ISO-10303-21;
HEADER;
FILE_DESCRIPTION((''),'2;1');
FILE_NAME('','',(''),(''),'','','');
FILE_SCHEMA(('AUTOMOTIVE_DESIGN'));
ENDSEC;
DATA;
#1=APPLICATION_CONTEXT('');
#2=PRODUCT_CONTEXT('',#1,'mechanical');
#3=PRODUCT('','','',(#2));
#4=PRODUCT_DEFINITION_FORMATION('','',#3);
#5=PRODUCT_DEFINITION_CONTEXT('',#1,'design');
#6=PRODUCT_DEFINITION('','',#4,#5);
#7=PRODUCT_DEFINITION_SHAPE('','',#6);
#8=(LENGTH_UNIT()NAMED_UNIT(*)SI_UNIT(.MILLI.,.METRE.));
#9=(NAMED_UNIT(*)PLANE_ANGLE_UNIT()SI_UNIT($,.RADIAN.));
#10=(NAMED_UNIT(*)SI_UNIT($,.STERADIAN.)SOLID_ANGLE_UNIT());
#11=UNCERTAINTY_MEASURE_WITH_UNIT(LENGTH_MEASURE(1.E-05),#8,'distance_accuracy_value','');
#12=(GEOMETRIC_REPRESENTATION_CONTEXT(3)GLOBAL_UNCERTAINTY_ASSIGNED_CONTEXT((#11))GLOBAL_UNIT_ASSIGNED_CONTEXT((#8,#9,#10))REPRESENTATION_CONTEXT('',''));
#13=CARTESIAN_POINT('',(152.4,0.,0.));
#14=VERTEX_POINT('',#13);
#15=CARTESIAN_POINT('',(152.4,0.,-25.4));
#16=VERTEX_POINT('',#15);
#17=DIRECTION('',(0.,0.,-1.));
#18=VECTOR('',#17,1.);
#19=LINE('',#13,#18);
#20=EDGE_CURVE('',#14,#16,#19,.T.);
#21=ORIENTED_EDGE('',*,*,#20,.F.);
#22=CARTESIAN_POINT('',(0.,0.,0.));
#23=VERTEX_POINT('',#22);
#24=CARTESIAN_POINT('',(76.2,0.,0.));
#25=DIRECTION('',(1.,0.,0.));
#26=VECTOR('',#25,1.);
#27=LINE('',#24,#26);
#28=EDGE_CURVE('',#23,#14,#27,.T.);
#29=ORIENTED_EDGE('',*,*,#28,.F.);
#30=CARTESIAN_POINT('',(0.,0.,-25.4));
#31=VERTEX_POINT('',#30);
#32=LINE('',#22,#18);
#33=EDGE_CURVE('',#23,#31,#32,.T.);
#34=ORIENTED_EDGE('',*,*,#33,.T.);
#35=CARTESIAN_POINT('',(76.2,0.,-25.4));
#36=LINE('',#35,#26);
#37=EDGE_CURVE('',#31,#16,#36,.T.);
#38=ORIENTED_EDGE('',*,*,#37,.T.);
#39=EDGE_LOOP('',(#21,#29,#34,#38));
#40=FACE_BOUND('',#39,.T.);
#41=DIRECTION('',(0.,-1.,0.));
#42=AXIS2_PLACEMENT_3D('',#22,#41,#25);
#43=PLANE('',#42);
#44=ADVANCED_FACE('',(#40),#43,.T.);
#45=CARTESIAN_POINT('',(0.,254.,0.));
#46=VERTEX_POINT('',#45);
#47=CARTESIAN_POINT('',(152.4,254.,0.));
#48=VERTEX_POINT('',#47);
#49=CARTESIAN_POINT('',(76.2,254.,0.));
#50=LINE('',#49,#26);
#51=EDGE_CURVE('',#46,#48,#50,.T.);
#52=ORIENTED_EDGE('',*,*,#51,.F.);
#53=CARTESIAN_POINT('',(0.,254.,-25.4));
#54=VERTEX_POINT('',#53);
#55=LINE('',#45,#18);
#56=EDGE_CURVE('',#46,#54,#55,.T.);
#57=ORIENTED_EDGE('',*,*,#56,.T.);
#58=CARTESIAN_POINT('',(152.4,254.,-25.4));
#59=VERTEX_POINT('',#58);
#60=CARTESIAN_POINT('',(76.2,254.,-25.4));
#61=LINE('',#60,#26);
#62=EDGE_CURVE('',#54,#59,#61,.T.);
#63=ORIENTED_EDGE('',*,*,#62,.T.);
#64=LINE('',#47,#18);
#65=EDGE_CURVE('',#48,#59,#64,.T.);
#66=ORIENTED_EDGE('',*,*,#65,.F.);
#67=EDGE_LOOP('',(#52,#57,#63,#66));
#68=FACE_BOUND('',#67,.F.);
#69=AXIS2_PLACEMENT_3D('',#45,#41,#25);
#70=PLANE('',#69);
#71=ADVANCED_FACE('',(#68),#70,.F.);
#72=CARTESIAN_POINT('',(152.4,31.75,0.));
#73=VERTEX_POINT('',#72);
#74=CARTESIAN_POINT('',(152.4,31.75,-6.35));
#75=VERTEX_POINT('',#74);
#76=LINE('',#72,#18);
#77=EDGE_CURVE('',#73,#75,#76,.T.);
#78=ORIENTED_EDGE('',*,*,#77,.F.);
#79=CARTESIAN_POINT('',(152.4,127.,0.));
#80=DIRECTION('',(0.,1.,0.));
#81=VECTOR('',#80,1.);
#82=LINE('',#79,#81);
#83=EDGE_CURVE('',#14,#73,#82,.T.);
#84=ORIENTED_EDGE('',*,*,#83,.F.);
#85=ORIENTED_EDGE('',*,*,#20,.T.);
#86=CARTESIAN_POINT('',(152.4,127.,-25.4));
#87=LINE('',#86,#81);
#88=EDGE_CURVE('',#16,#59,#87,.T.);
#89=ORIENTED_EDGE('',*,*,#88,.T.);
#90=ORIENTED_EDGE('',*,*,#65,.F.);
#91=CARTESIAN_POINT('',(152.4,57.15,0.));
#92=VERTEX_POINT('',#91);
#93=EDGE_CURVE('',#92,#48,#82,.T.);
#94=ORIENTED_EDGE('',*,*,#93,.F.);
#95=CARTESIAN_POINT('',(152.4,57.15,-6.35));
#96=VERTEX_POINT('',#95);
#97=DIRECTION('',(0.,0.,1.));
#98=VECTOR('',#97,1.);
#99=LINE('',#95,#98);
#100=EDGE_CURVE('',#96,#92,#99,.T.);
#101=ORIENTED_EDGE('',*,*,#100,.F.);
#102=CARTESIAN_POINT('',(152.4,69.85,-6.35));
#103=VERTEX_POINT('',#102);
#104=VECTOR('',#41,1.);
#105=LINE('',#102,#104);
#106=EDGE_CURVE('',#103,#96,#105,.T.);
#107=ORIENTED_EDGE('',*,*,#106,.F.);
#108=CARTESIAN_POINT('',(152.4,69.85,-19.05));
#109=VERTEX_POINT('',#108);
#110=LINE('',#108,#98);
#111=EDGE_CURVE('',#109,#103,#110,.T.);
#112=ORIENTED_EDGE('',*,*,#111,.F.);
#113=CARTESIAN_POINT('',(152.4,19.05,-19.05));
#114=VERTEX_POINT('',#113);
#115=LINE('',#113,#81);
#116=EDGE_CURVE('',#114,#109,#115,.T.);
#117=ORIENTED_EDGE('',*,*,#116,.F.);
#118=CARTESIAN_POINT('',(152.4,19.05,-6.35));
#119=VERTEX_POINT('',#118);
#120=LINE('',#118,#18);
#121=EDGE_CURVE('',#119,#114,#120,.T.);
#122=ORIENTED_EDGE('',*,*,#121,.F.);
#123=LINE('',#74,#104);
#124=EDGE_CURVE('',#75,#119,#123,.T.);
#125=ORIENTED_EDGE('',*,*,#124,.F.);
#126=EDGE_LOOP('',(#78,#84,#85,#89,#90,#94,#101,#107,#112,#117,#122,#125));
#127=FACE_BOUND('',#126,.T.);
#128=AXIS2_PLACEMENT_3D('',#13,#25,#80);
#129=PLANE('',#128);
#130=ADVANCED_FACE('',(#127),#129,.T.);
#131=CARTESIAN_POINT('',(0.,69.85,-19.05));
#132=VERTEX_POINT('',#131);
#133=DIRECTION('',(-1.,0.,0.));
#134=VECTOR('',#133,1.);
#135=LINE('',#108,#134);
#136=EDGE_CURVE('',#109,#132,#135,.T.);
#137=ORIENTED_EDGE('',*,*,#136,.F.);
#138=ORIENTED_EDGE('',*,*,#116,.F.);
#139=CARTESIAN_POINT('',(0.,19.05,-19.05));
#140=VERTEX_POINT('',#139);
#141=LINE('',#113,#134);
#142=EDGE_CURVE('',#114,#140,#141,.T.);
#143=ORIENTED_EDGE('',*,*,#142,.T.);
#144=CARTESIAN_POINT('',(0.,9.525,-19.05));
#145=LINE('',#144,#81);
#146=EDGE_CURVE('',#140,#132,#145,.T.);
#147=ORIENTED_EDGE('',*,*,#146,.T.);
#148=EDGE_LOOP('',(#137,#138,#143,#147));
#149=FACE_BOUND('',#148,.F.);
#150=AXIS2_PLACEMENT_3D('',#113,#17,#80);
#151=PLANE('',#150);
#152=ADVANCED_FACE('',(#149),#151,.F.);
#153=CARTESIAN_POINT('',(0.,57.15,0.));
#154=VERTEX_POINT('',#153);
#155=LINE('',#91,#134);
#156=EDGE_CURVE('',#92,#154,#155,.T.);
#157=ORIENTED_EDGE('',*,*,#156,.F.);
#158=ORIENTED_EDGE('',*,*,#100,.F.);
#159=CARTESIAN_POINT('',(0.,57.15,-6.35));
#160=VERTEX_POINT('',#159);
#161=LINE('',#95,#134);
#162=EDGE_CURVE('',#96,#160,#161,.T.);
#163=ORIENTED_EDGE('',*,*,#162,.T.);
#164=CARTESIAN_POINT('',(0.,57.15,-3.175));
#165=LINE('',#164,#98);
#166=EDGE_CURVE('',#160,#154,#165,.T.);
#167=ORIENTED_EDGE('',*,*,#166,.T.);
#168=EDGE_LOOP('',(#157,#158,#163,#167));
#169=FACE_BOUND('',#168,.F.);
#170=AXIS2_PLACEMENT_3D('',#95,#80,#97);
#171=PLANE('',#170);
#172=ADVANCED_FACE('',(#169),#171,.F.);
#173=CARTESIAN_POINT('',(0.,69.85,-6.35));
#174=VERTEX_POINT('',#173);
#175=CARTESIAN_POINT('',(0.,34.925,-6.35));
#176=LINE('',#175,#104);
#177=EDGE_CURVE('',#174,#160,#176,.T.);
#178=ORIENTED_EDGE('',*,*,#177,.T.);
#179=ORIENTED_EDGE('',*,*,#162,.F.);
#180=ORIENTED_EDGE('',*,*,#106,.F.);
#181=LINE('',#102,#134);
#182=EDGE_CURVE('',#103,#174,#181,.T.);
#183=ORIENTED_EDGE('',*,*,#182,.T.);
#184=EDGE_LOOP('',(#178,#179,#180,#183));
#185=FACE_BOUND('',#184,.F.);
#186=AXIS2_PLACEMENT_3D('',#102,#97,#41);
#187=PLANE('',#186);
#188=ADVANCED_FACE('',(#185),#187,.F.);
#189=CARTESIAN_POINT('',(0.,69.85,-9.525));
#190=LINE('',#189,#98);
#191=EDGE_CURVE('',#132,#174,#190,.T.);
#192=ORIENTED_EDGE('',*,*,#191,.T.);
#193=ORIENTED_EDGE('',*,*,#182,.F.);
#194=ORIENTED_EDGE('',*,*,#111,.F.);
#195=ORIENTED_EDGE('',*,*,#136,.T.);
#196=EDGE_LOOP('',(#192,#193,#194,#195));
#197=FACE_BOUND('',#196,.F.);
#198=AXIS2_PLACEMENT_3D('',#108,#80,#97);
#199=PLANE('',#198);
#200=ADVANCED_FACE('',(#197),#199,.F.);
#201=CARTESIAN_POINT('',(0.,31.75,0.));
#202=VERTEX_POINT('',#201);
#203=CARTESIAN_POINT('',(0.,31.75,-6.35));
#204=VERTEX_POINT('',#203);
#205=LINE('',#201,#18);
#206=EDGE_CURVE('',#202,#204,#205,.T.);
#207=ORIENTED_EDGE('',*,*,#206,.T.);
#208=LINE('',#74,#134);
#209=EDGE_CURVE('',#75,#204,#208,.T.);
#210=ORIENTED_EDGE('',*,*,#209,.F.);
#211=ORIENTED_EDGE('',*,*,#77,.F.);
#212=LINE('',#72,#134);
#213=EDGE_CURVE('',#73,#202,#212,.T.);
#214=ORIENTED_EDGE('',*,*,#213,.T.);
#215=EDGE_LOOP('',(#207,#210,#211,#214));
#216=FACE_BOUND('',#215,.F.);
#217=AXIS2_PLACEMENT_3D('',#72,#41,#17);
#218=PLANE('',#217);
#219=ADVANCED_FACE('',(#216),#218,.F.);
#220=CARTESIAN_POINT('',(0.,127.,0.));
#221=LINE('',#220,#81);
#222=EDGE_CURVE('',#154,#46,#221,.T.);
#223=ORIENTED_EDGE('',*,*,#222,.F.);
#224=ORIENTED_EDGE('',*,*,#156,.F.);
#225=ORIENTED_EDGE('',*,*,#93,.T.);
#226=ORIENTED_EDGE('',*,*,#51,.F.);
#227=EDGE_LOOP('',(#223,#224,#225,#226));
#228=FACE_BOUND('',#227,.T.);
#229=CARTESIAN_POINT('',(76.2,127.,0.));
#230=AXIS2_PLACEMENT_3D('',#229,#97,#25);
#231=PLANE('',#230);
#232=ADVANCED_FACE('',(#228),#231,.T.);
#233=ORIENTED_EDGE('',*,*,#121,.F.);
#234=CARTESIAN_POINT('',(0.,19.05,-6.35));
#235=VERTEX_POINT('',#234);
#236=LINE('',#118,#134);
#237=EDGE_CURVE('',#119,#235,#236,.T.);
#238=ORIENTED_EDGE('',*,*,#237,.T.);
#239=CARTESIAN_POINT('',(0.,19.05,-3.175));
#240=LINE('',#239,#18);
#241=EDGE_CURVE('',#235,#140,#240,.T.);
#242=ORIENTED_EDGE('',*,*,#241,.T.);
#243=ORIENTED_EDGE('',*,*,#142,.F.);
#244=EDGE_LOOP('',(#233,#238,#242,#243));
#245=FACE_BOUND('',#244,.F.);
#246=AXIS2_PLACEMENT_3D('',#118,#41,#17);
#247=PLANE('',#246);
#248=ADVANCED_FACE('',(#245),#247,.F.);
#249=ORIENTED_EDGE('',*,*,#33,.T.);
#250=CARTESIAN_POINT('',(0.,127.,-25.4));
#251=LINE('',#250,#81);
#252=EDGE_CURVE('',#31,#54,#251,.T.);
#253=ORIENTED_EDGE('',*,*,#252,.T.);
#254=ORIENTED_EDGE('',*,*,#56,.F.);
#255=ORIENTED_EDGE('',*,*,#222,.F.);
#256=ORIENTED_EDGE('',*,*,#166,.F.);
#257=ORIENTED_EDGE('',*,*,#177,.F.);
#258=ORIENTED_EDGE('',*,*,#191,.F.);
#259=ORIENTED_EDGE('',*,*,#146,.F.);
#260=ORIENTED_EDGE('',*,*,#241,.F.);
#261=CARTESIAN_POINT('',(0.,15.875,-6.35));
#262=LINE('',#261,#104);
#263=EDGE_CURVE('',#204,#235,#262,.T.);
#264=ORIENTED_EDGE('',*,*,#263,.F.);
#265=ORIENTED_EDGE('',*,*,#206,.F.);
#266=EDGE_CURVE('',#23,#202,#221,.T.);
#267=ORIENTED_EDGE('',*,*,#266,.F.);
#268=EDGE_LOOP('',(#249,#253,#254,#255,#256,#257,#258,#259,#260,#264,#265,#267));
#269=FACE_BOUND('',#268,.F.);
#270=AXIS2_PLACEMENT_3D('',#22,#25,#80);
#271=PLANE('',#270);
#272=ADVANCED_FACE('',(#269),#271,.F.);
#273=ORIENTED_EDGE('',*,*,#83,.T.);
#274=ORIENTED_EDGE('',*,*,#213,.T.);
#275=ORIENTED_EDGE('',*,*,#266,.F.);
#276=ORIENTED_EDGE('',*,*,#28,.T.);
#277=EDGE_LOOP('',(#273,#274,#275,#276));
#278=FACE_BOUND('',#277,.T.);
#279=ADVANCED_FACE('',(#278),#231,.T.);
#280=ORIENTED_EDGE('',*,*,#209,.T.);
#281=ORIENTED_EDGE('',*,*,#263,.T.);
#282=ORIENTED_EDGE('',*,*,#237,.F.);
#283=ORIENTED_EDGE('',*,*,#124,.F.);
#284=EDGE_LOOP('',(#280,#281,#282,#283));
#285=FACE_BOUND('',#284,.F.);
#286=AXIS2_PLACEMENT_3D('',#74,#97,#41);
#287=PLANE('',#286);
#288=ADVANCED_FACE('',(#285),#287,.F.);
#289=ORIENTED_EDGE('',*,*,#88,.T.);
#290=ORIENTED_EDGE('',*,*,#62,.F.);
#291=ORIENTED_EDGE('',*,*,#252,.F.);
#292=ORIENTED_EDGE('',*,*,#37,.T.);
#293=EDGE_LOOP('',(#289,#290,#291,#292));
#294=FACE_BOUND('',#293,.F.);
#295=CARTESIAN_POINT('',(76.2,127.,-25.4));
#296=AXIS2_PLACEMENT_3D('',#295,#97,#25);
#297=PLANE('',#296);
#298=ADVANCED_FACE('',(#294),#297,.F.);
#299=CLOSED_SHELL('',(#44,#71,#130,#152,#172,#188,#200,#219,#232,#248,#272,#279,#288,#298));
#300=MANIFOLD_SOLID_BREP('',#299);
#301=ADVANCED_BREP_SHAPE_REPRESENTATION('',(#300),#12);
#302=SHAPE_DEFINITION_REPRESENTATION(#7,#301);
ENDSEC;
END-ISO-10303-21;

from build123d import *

# Parameters (mm, degrees)
F0_W     = 152.4
F0_H     = 254
F1_DEPTH = 25.4
F3_DEPTH = 152.401


with BuildPart() as f1:
    # F0 (on Top) → F1 (new body)
    with BuildSketch(Plane.XY):
        with Locations((76.2, 127)):
            Rectangle(F0_W, F0_H)
    extrude(amount=-F1_DEPTH)

    # F2 (on face) → F3 (cut, through all)
    with BuildSketch(Plane.YZ.offset(152.4)):
        Polygon((57.15, -6.35), (57.15, 0), (31.75, 0), (31.75, -6.35), (19.05, -6.35), (19.05, -19.05), (69.85, -19.05), (69.85, -6.35), align=None)
    extrude(amount=-F3_DEPTH, mode=Mode.SUBTRACT)


solid = f1.part
